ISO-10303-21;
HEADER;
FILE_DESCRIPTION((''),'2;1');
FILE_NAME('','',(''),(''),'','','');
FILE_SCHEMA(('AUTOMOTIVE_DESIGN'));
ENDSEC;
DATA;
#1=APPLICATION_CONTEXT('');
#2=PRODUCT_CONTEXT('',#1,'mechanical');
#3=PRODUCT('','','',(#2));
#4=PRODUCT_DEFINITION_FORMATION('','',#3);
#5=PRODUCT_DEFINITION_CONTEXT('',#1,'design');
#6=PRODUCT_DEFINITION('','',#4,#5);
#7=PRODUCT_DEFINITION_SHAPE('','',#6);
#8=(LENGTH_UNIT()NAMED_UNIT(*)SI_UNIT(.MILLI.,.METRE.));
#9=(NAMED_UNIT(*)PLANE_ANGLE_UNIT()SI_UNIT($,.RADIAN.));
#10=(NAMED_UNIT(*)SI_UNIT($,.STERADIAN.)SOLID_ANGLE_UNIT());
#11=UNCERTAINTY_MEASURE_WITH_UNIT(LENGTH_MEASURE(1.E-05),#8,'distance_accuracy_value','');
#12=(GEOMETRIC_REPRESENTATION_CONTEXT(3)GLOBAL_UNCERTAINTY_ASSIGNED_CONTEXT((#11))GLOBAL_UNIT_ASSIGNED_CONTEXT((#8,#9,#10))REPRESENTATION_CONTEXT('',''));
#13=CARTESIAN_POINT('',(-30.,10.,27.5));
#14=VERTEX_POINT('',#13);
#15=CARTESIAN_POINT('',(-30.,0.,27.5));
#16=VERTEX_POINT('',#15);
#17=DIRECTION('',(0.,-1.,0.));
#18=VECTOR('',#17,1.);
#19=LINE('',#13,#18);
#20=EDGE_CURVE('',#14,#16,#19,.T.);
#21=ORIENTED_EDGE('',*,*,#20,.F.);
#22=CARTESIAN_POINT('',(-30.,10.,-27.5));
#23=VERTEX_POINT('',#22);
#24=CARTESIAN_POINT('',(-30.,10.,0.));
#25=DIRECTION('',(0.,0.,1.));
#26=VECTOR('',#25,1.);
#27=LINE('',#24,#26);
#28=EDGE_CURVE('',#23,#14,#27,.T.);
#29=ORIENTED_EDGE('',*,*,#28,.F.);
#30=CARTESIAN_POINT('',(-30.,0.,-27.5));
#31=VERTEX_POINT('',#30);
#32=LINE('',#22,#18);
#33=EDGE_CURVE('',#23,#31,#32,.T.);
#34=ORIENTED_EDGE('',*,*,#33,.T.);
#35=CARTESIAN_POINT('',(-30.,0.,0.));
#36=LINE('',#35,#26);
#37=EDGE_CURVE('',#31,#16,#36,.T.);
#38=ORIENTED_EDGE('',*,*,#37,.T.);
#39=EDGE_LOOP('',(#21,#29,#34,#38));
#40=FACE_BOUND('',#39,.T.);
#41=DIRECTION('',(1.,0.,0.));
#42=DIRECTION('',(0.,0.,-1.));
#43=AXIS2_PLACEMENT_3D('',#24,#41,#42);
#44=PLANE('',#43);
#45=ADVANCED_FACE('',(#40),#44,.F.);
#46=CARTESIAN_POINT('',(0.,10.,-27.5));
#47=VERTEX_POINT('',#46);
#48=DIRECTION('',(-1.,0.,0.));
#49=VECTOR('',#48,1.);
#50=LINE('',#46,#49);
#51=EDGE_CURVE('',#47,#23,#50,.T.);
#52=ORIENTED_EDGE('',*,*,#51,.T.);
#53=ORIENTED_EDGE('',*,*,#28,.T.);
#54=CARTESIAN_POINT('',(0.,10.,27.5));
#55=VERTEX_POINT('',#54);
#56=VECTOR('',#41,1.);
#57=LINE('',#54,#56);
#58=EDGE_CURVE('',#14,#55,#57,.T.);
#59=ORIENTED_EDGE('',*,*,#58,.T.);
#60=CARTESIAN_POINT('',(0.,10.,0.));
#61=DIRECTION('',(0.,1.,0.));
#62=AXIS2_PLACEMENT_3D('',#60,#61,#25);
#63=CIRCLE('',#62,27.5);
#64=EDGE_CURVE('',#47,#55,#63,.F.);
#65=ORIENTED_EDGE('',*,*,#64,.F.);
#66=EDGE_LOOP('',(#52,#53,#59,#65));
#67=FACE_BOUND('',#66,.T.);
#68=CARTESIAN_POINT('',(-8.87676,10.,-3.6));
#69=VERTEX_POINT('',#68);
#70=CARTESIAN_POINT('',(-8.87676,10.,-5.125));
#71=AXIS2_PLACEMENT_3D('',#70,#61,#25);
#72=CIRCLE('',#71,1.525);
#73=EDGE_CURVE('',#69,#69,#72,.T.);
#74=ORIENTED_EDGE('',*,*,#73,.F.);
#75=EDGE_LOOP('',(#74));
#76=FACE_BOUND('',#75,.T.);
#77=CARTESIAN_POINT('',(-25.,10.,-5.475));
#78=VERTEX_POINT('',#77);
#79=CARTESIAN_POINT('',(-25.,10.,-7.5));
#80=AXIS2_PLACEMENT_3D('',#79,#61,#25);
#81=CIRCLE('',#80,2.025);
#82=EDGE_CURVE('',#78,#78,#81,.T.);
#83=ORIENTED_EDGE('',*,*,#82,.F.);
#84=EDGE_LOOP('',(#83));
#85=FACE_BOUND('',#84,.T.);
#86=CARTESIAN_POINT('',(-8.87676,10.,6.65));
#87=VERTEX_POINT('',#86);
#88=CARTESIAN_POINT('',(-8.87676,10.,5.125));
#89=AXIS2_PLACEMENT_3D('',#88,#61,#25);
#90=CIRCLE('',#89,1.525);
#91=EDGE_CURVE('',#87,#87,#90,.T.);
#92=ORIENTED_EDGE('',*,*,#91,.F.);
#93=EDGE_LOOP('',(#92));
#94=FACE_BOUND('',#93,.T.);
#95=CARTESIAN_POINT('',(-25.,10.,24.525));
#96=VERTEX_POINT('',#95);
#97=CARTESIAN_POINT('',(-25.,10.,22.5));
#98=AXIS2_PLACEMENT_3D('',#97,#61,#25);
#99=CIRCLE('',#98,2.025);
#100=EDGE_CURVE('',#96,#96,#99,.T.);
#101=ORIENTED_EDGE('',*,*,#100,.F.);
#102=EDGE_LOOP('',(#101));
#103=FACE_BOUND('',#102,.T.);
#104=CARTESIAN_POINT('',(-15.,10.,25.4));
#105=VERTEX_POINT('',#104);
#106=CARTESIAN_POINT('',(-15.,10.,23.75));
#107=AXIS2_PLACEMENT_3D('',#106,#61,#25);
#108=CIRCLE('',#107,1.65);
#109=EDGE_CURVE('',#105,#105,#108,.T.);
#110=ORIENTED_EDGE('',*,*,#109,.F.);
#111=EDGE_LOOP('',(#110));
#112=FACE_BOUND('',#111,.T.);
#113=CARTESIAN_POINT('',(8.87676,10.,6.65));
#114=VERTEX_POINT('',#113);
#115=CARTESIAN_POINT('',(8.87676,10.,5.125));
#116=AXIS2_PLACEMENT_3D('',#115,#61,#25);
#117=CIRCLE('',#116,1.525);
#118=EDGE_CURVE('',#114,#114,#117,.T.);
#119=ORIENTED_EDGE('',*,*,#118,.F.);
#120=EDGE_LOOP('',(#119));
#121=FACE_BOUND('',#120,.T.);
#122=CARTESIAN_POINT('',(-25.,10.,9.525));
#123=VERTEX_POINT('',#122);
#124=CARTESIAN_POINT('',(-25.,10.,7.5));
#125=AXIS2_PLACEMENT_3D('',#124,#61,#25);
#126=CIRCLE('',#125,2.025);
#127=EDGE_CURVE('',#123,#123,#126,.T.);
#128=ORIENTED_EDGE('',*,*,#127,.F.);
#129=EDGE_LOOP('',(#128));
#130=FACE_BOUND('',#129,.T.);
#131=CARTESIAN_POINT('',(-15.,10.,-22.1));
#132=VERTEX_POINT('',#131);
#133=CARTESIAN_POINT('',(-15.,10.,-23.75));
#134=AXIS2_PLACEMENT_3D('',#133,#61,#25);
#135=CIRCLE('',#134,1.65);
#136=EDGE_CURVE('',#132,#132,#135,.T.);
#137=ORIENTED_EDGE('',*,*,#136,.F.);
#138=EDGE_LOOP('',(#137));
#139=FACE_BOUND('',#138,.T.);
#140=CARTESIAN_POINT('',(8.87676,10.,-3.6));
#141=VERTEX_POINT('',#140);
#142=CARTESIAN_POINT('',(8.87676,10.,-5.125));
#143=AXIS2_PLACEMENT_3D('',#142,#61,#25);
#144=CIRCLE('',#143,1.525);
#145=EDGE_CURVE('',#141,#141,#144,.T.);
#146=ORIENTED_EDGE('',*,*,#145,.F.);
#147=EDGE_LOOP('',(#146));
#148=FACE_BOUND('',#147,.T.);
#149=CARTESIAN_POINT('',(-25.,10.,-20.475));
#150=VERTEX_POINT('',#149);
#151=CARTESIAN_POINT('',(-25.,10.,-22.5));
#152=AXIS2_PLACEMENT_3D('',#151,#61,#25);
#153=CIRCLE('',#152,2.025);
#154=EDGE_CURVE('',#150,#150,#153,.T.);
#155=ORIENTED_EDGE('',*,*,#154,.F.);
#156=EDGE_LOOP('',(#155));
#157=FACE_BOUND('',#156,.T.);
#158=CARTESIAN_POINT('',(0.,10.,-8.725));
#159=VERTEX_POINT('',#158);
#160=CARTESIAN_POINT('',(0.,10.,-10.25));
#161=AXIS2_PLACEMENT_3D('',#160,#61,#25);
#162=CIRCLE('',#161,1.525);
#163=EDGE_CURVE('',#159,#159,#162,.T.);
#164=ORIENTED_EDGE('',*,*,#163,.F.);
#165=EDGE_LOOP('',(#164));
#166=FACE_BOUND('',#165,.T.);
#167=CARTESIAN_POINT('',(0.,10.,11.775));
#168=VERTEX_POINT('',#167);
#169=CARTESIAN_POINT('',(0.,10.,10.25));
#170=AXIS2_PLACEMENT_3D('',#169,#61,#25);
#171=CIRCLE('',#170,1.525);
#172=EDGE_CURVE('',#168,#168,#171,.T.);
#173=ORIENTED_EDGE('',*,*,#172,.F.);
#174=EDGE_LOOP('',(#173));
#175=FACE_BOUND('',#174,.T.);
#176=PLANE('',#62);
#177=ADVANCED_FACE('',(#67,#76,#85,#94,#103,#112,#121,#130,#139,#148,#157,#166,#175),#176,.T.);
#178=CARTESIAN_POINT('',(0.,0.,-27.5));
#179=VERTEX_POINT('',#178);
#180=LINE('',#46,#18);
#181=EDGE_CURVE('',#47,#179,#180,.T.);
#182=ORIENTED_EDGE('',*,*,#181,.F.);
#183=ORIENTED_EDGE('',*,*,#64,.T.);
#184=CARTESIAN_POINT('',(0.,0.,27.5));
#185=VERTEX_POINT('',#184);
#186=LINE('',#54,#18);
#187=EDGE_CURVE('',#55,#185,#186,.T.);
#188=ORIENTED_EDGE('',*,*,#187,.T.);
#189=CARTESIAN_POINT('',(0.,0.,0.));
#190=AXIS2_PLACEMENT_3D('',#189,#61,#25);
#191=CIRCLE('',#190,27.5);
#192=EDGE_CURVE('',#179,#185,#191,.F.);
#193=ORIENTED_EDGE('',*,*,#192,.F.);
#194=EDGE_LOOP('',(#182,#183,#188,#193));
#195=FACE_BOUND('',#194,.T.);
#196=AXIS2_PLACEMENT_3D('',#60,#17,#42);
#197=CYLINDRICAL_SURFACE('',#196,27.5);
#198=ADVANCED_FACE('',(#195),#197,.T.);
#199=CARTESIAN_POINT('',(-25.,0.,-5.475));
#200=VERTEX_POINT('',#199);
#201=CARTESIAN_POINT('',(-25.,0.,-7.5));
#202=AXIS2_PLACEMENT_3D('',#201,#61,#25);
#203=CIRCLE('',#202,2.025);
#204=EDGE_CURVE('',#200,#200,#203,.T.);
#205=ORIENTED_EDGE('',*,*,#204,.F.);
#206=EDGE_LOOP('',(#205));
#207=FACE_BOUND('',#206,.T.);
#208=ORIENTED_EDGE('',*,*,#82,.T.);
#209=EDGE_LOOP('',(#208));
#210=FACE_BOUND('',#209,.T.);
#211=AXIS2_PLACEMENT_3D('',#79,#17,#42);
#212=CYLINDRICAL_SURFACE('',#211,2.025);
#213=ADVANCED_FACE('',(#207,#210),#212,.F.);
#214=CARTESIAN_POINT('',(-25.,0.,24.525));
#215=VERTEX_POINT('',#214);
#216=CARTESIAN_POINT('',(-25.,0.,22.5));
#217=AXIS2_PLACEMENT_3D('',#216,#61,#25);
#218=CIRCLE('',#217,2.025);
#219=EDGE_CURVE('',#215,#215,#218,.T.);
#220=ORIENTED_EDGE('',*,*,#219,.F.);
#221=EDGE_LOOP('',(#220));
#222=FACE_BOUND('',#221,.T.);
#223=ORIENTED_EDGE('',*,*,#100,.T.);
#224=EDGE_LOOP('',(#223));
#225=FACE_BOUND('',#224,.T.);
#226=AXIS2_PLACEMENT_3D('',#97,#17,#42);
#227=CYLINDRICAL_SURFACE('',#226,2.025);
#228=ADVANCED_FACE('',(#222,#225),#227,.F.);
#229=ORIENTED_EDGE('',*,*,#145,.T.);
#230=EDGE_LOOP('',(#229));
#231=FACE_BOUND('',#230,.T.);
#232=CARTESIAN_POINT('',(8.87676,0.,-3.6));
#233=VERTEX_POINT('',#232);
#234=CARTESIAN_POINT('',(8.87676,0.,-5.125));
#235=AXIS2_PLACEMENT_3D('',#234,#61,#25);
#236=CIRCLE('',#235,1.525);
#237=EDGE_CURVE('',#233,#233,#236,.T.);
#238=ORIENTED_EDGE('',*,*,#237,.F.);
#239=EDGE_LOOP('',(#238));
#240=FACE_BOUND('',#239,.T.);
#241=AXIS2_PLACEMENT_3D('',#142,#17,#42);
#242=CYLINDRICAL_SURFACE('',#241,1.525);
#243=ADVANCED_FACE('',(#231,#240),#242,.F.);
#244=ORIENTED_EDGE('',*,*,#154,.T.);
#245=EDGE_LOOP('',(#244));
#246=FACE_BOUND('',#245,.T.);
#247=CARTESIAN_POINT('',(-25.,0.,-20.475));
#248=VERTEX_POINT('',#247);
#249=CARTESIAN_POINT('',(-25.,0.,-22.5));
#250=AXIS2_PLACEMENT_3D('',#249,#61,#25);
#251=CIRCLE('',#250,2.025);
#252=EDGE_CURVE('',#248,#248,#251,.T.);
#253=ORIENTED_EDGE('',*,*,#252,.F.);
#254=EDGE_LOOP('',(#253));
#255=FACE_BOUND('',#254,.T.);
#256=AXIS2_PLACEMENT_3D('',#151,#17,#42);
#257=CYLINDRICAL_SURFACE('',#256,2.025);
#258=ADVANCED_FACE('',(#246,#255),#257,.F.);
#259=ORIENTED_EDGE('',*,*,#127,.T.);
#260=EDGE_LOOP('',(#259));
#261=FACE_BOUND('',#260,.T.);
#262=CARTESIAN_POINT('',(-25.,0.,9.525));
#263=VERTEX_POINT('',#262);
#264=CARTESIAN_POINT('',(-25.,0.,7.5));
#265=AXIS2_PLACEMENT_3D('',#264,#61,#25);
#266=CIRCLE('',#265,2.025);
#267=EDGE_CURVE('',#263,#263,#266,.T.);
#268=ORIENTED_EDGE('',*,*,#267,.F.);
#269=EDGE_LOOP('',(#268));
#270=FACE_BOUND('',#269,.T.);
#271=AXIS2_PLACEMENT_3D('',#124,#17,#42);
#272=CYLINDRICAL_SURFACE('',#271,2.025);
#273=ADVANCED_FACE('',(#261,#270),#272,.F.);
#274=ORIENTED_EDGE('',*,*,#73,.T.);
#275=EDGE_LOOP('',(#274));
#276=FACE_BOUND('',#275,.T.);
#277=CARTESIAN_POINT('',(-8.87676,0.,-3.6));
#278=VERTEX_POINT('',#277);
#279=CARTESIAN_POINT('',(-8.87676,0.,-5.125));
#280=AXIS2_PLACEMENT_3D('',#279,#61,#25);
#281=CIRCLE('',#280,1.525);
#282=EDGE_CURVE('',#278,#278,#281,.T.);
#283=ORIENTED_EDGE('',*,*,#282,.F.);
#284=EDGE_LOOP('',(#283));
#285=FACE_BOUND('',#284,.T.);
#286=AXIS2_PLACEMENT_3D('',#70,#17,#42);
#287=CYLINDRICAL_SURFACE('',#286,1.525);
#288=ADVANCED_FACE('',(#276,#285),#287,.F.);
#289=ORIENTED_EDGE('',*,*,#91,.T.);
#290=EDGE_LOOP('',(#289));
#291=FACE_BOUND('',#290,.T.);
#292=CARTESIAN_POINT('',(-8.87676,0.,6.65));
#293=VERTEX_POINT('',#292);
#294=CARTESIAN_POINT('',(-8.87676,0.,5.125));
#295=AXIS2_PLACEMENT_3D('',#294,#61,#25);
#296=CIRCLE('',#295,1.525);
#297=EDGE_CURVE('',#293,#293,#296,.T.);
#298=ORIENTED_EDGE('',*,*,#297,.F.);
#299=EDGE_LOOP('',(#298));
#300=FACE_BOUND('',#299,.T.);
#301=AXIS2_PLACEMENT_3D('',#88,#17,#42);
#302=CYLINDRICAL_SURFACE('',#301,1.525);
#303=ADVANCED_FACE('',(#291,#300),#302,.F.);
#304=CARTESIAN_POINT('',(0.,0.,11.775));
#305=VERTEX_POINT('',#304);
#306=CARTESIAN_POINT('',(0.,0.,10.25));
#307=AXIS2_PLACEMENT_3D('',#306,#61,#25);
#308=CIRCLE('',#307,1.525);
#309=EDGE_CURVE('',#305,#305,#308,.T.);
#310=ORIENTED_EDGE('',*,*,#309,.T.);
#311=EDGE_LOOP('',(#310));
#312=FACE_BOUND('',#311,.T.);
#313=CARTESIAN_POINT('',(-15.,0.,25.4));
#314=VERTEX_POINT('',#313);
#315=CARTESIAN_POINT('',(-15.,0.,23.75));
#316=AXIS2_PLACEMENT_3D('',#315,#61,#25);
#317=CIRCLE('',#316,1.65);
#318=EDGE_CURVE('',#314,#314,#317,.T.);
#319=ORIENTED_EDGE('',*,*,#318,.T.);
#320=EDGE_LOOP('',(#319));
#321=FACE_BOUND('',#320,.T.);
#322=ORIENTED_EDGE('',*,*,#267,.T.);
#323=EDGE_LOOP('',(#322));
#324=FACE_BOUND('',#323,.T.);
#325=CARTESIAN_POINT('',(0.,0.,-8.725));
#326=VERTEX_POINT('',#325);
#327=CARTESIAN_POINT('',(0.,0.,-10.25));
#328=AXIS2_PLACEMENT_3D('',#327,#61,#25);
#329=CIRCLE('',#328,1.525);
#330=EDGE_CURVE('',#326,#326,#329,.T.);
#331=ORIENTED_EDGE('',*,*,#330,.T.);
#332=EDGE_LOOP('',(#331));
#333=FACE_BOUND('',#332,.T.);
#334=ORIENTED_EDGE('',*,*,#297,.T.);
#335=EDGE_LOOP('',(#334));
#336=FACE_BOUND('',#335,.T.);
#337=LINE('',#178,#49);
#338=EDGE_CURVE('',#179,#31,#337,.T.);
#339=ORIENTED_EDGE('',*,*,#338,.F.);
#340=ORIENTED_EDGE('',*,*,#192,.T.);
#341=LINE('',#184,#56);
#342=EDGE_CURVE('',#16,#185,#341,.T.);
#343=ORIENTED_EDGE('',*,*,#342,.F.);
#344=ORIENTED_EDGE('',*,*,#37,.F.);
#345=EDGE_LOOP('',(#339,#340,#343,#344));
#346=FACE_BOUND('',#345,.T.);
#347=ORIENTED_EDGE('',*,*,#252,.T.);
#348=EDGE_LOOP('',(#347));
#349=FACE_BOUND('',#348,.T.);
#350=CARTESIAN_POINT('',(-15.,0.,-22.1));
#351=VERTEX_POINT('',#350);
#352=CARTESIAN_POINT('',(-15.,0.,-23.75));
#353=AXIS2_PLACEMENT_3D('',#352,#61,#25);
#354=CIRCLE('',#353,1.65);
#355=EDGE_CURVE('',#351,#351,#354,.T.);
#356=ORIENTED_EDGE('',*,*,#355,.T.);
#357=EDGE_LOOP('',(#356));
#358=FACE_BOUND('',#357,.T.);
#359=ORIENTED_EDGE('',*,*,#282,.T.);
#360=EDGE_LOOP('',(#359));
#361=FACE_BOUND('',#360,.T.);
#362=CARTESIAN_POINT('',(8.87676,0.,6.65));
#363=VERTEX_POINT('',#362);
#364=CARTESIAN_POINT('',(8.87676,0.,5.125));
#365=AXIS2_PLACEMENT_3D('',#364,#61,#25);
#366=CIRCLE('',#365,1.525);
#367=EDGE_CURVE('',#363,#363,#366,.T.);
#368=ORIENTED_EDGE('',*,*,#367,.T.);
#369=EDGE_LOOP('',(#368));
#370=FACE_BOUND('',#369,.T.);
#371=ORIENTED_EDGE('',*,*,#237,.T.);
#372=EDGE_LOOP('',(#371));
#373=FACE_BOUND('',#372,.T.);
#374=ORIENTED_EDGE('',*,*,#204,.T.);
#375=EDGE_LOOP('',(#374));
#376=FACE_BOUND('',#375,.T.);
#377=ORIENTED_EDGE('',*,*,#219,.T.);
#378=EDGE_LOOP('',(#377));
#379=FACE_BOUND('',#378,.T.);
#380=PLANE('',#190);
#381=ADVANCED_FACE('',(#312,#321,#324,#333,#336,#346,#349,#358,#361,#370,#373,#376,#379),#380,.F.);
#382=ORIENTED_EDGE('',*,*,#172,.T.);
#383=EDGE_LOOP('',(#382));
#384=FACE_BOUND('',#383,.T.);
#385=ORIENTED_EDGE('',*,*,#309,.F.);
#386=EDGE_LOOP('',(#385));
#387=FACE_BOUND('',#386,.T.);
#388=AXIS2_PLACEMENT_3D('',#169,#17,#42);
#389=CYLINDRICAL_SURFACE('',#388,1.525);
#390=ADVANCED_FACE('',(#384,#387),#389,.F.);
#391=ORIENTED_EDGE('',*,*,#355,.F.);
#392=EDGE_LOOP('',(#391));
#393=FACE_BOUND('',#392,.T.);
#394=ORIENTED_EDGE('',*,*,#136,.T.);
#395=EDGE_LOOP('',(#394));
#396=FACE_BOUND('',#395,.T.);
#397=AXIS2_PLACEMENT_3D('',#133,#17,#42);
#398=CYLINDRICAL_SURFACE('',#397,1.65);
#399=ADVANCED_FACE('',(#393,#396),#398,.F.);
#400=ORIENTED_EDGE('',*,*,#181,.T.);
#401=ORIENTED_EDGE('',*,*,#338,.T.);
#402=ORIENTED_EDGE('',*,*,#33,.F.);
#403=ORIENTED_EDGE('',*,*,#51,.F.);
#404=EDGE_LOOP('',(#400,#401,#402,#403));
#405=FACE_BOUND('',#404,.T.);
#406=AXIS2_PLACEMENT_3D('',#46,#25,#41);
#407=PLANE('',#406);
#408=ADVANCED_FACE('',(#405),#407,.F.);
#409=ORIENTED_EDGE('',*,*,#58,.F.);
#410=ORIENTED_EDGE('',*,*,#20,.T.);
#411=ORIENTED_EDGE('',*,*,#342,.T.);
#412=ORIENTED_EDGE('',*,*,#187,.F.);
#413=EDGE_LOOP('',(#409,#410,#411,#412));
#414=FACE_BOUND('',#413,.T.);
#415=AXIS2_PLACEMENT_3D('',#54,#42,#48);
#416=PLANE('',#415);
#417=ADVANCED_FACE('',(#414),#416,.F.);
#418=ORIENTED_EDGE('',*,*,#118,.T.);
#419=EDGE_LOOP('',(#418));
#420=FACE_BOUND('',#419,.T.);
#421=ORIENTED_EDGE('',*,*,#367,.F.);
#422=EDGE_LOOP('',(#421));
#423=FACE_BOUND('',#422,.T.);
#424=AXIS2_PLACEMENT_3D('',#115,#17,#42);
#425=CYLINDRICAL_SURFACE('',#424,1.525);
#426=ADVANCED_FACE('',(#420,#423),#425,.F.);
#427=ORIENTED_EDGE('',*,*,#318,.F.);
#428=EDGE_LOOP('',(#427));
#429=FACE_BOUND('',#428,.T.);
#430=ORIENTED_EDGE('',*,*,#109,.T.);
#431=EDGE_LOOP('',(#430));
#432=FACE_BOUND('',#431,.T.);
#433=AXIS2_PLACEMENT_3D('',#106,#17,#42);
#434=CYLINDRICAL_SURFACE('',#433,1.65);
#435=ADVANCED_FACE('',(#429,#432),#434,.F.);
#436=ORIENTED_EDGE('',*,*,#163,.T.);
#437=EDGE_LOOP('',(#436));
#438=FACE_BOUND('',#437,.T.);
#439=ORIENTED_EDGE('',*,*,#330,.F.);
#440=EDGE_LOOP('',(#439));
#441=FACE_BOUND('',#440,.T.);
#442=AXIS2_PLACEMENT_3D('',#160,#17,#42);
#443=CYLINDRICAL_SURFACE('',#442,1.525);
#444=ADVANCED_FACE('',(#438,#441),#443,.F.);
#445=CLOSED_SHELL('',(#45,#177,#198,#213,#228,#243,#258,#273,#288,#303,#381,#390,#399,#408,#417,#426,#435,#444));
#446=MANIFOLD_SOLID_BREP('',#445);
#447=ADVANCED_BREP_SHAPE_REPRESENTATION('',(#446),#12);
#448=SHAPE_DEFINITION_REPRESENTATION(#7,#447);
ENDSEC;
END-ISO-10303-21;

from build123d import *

# Parameters (mm, degrees)
SKETCH_1_R      = 1.65
SKETCH_1_R_2    = 1.525
SKETCH_1_W      = 10
SKETCH_1_H      = 55
SKETCH_1_R_3    = 2.025
EXTRUDE_1_DEPTH = 10


with BuildPart() as part:
    # 草图1 → 凸台-拉伸1 (new body)
    # profile 1 of 2: a face of its own
    with BuildSketch(Plane(origin=(0, 0, 0), x_dir=(1, 0, 0), z_dir=(0, 1, 0))):
        with BuildLine():
            ThreePointArc((0, -27.5), (27.5, 0), (0, 27.5))
            Line((0, 27.5), (-20, 27.5))
            Line((-20, 27.5), (-20, -27.5))
            Line((-20, -27.5), (0, -27.5))
        make_face()
        with Locations(Location((-15, -23.75, 0), (0, 0, 270))):
            Circle(SKETCH_1_R, mode=Mode.SUBTRACT)
        with Locations(Location((-8.876760389, -5.125, 0), (0, 0, 270))):
            Circle(SKETCH_1_R_2, mode=Mode.SUBTRACT)
        with Locations(Location((0, -10.25, 0), (0, 0, 270))):
            Circle(SKETCH_1_R_2, mode=Mode.SUBTRACT)
        with Locations(Location((8.876760389, -5.125, 0), (0, 0, 270))):
            Circle(SKETCH_1_R_2, mode=Mode.SUBTRACT)
        with Locations(Location((-8.876760389, 5.125, 0), (0, 0, 270))):
            Circle(SKETCH_1_R_2, mode=Mode.SUBTRACT)
        with Locations(Location((-15, 23.75, 0), (0, 0, 270))):
            Circle(SKETCH_1_R, mode=Mode.SUBTRACT)
        with Locations(Location((8.876760389, 5.125, 0), (0, 0, 270))):
            Circle(SKETCH_1_R_2, mode=Mode.SUBTRACT)
        with Locations(Location((0, 10.25, 0), (0, 0, 270))):
            Circle(SKETCH_1_R_2, mode=Mode.SUBTRACT)
    # profile 2 of 2: a face of its own
    with BuildSketch(Plane(origin=(0, 0, 0), x_dir=(1, 0, 0), z_dir=(0, 1, 0))):
        with Locations((-25, 0)):
            Rectangle(SKETCH_1_W, SKETCH_1_H)
        with Locations(Location((-25, -22.5, 0), (0, 0, 270))):
            Circle(SKETCH_1_R_3, mode=Mode.SUBTRACT)
        with Locations(Location((-25, -7.5, 0), (0, 0, 270))):
            Circle(SKETCH_1_R_3, mode=Mode.SUBTRACT)
        with Locations(Location((-25, 7.5, 0), (0, 0, 270))):
            Circle(SKETCH_1_R_3, mode=Mode.SUBTRACT)
        with Locations(Location((-25, 22.5, 0), (0, 0, 270))):
            Circle(SKETCH_1_R_3, mode=Mode.SUBTRACT)
    extrude(amount=EXTRUDE_1_DEPTH)


solid = part.part
